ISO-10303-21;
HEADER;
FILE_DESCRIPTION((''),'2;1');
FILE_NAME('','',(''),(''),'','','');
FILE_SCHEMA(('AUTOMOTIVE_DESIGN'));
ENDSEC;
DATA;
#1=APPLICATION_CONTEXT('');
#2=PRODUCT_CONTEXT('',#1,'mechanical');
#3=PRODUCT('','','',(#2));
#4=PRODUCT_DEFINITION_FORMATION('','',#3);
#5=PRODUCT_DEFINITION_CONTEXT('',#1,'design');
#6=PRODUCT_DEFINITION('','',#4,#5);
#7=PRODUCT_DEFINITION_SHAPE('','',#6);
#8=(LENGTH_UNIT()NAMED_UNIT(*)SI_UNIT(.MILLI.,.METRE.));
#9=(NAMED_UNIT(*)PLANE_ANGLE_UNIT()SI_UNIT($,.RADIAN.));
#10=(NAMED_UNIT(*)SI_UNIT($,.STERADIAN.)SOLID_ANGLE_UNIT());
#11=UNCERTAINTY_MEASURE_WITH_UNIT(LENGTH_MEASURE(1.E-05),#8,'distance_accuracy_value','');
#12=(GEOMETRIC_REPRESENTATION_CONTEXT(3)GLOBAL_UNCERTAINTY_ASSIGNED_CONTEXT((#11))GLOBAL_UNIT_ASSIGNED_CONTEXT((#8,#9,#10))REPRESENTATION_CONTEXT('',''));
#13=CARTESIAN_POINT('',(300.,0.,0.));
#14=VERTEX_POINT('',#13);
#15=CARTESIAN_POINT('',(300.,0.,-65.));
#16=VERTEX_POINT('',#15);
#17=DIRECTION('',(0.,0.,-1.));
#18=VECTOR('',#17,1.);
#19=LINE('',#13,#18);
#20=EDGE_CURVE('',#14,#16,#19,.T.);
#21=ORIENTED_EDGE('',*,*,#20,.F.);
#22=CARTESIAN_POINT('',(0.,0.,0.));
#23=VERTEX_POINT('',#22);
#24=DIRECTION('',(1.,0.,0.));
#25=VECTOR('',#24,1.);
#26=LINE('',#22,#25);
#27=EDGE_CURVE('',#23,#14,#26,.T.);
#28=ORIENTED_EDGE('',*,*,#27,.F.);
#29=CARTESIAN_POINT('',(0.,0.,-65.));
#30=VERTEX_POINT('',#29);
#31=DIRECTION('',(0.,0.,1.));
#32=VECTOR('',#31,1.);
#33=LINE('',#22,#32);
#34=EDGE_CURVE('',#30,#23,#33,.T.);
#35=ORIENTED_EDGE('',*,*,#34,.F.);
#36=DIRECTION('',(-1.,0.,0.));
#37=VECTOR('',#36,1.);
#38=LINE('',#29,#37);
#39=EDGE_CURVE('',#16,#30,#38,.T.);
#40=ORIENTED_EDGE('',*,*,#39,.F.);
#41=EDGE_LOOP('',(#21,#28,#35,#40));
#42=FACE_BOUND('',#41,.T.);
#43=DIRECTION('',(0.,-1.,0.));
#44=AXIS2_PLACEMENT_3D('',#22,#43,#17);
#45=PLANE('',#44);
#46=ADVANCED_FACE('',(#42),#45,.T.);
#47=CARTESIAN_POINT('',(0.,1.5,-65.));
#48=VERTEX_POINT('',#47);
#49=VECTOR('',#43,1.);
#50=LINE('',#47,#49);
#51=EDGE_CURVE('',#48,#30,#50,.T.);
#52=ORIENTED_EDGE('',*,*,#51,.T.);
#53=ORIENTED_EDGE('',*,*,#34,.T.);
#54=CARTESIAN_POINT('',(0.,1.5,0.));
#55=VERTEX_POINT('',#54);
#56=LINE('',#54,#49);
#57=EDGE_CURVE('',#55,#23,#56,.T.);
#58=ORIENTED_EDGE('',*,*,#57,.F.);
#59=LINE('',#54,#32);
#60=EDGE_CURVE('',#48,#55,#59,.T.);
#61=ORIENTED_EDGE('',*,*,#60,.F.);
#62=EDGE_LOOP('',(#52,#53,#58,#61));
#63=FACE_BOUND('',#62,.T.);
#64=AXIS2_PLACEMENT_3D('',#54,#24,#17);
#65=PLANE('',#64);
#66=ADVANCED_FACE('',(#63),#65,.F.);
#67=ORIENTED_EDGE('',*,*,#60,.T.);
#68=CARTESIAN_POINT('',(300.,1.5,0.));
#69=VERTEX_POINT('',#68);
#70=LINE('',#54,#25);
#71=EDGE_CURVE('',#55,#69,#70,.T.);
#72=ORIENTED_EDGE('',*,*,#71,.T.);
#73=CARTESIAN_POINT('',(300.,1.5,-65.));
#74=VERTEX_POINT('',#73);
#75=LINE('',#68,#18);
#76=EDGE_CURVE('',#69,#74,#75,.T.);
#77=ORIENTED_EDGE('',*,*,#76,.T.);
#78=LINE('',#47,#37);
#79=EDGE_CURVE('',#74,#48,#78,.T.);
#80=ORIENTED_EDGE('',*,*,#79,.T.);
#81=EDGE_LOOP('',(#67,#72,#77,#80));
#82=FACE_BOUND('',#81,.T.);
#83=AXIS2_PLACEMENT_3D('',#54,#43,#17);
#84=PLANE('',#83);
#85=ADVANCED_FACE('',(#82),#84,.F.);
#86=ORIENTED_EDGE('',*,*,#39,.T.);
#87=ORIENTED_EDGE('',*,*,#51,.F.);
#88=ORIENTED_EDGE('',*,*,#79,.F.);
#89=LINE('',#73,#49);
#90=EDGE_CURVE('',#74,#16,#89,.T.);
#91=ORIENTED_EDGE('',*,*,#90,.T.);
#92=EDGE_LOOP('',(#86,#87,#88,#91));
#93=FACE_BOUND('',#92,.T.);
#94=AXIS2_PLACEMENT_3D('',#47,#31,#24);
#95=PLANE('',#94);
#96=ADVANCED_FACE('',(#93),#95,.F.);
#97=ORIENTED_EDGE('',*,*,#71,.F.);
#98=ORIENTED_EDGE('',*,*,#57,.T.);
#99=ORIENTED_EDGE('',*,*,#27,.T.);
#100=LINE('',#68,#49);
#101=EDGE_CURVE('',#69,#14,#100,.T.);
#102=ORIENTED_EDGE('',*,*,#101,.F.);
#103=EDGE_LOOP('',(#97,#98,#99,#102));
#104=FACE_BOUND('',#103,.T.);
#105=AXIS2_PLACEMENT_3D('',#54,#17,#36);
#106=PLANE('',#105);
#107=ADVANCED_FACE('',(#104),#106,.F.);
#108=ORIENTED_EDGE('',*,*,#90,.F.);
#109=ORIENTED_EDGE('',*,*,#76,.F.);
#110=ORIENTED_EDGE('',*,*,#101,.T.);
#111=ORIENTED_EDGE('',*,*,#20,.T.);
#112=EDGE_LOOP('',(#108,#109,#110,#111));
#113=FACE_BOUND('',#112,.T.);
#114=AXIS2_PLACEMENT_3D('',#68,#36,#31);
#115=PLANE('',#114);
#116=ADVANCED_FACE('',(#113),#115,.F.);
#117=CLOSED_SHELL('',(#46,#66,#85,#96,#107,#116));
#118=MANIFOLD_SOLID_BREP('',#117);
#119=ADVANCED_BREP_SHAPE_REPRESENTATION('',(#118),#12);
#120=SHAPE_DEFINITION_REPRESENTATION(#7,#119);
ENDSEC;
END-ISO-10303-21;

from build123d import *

# Parameters (mm, degrees)
ESBO_O1_W                = 300
ESBO_O1_H                = 65
RESSALTO_EXTRUS_O1_DEPTH = 1.5


with BuildPart() as part:
    # Esboço1 → Ressalto-extrusão1 (new body)
    with BuildSketch(Plane(origin=(0, 0, 0), x_dir=(1, 0, 0), z_dir=(0, 1, 0))):
        with Locations((150, 32.5)):
            Rectangle(ESBO_O1_W, ESBO_O1_H)
    extrude(amount=RESSALTO_EXTRUS_O1_DEPTH)


solid = part.part
